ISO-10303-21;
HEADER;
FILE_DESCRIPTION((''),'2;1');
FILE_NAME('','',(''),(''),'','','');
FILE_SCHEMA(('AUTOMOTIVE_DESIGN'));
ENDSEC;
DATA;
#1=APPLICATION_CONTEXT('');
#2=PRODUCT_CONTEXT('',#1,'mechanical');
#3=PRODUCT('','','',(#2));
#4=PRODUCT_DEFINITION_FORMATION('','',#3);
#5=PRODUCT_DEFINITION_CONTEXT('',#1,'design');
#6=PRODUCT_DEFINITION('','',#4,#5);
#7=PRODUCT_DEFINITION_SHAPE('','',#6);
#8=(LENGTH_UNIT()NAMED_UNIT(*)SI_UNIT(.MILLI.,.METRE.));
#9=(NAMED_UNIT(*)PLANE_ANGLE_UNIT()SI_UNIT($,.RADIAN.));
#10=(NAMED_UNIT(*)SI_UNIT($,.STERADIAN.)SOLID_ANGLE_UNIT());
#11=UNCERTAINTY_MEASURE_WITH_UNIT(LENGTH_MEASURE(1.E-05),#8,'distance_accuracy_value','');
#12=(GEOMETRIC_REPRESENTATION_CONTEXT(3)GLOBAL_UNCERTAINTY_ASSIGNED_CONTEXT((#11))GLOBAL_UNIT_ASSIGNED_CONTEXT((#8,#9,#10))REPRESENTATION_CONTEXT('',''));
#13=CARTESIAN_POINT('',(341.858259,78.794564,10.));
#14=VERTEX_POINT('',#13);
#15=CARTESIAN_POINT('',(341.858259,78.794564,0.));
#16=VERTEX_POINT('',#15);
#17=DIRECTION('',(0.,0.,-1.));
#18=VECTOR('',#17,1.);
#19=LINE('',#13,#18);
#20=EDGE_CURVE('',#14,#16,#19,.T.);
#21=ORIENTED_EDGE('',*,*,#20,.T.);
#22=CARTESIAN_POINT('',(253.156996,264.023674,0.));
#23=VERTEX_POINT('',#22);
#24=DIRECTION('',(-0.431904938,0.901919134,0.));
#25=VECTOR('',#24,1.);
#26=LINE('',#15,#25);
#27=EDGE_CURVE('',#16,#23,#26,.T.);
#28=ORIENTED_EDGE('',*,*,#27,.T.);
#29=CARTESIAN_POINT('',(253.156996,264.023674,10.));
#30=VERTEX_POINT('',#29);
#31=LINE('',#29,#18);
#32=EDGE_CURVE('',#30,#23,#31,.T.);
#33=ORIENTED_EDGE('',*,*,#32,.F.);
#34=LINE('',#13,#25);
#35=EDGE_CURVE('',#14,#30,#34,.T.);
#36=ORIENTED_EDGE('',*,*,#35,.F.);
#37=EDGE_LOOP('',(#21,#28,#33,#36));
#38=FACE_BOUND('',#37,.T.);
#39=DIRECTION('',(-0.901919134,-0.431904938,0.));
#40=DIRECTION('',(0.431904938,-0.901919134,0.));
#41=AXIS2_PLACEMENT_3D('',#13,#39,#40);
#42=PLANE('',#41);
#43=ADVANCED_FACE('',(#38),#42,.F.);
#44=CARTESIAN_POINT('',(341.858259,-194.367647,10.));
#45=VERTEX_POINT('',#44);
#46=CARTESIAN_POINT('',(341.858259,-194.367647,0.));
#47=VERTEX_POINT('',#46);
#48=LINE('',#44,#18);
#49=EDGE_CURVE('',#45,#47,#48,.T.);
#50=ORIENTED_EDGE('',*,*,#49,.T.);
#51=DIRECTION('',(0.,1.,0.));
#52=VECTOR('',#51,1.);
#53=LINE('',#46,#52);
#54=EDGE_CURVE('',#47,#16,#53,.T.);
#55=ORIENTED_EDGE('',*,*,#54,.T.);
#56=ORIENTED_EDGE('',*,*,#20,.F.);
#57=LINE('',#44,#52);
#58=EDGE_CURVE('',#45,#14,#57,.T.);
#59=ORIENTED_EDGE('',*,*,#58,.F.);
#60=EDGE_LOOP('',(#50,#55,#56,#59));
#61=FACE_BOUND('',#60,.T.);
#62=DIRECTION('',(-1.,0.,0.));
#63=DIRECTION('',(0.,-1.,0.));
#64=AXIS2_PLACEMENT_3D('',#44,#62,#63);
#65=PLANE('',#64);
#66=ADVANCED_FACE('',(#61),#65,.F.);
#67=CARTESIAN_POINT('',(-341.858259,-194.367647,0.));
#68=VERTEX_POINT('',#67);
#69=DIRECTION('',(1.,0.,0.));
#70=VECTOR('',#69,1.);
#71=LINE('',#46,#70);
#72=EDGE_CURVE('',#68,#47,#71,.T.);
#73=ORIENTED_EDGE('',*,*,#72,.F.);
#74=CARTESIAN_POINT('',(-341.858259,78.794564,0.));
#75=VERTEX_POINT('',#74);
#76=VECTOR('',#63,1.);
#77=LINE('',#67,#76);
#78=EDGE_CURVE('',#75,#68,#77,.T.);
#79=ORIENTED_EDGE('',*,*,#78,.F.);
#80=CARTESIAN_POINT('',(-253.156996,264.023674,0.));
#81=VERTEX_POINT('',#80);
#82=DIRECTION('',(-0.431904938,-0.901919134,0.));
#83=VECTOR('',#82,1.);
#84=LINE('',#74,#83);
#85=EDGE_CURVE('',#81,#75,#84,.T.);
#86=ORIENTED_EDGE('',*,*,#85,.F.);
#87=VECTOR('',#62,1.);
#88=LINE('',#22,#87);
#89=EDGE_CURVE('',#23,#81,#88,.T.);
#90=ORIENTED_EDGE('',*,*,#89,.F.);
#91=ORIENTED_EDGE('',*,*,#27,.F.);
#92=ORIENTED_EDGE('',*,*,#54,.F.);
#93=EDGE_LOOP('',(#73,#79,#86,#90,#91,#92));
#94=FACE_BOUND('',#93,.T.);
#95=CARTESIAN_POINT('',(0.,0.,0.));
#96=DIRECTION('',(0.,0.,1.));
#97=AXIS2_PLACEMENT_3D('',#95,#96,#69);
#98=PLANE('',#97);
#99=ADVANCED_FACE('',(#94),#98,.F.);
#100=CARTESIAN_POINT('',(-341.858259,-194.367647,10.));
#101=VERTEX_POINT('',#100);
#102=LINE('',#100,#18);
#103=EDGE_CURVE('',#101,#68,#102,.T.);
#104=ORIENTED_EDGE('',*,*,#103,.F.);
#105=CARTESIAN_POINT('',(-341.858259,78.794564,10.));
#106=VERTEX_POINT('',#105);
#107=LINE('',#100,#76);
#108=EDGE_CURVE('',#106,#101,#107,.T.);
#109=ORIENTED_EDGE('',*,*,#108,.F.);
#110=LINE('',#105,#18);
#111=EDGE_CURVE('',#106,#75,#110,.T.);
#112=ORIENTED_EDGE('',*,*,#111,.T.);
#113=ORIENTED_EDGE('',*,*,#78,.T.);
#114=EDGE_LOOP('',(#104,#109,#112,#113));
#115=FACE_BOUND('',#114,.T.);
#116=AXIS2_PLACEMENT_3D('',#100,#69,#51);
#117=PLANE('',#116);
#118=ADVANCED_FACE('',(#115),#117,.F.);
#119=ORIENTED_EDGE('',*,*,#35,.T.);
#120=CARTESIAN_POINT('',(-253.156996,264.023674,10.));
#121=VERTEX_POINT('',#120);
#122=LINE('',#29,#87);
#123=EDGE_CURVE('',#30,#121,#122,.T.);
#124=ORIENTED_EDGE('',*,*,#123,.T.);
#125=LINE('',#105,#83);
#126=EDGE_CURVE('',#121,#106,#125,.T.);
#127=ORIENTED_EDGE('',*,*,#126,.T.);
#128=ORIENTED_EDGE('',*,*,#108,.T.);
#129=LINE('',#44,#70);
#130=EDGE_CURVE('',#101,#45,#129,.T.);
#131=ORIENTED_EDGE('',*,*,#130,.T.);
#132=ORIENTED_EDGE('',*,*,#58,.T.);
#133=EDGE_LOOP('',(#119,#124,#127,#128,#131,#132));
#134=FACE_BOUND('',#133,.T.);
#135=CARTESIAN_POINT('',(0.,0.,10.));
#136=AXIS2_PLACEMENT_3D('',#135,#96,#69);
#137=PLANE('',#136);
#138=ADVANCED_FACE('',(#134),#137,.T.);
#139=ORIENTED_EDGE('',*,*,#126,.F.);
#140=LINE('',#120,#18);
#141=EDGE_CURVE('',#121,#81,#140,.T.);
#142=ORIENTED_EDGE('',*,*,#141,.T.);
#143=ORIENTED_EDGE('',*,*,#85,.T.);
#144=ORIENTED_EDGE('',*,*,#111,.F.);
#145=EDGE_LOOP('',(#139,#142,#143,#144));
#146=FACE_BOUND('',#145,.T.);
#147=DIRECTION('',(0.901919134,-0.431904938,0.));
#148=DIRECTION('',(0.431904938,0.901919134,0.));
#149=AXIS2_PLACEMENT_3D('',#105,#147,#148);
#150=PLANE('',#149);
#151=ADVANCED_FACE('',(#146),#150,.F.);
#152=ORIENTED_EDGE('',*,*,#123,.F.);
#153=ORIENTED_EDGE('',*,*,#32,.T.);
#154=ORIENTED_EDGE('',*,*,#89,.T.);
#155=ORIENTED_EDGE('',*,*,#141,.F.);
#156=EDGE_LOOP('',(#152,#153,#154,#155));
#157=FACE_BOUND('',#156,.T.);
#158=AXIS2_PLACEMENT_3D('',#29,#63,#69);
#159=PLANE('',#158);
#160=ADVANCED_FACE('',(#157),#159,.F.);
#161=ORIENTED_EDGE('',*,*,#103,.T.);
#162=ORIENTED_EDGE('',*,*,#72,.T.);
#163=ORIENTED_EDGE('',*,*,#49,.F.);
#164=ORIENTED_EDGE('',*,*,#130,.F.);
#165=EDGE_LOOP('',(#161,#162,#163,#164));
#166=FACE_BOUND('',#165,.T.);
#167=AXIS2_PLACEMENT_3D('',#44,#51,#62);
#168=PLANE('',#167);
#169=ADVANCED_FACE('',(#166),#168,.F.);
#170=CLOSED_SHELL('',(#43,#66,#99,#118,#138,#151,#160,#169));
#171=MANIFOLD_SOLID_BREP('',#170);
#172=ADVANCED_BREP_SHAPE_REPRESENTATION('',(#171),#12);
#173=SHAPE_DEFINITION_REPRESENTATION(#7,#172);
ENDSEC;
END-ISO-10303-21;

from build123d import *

# Parameters (mm, degrees)
AUFSATZ_LINEAR_AUSTRAGEN1_DEPTH = 10


with BuildPart() as part:
    # Skizze1 → Aufsatz-Linear austragen1 (new body)
    with BuildSketch(Plane.XY):
        Polygon((341.858259494, -194.367647059), (-341.858259494, -194.367647059), (-341.858259494, 78.794563683), (-253.156995608, 264.02367356), (253.156995608, 264.02367356), (341.858259494, 78.794563683), align=None)
    extrude(amount=AUFSATZ_LINEAR_AUSTRAGEN1_DEPTH)


solid = part.part
